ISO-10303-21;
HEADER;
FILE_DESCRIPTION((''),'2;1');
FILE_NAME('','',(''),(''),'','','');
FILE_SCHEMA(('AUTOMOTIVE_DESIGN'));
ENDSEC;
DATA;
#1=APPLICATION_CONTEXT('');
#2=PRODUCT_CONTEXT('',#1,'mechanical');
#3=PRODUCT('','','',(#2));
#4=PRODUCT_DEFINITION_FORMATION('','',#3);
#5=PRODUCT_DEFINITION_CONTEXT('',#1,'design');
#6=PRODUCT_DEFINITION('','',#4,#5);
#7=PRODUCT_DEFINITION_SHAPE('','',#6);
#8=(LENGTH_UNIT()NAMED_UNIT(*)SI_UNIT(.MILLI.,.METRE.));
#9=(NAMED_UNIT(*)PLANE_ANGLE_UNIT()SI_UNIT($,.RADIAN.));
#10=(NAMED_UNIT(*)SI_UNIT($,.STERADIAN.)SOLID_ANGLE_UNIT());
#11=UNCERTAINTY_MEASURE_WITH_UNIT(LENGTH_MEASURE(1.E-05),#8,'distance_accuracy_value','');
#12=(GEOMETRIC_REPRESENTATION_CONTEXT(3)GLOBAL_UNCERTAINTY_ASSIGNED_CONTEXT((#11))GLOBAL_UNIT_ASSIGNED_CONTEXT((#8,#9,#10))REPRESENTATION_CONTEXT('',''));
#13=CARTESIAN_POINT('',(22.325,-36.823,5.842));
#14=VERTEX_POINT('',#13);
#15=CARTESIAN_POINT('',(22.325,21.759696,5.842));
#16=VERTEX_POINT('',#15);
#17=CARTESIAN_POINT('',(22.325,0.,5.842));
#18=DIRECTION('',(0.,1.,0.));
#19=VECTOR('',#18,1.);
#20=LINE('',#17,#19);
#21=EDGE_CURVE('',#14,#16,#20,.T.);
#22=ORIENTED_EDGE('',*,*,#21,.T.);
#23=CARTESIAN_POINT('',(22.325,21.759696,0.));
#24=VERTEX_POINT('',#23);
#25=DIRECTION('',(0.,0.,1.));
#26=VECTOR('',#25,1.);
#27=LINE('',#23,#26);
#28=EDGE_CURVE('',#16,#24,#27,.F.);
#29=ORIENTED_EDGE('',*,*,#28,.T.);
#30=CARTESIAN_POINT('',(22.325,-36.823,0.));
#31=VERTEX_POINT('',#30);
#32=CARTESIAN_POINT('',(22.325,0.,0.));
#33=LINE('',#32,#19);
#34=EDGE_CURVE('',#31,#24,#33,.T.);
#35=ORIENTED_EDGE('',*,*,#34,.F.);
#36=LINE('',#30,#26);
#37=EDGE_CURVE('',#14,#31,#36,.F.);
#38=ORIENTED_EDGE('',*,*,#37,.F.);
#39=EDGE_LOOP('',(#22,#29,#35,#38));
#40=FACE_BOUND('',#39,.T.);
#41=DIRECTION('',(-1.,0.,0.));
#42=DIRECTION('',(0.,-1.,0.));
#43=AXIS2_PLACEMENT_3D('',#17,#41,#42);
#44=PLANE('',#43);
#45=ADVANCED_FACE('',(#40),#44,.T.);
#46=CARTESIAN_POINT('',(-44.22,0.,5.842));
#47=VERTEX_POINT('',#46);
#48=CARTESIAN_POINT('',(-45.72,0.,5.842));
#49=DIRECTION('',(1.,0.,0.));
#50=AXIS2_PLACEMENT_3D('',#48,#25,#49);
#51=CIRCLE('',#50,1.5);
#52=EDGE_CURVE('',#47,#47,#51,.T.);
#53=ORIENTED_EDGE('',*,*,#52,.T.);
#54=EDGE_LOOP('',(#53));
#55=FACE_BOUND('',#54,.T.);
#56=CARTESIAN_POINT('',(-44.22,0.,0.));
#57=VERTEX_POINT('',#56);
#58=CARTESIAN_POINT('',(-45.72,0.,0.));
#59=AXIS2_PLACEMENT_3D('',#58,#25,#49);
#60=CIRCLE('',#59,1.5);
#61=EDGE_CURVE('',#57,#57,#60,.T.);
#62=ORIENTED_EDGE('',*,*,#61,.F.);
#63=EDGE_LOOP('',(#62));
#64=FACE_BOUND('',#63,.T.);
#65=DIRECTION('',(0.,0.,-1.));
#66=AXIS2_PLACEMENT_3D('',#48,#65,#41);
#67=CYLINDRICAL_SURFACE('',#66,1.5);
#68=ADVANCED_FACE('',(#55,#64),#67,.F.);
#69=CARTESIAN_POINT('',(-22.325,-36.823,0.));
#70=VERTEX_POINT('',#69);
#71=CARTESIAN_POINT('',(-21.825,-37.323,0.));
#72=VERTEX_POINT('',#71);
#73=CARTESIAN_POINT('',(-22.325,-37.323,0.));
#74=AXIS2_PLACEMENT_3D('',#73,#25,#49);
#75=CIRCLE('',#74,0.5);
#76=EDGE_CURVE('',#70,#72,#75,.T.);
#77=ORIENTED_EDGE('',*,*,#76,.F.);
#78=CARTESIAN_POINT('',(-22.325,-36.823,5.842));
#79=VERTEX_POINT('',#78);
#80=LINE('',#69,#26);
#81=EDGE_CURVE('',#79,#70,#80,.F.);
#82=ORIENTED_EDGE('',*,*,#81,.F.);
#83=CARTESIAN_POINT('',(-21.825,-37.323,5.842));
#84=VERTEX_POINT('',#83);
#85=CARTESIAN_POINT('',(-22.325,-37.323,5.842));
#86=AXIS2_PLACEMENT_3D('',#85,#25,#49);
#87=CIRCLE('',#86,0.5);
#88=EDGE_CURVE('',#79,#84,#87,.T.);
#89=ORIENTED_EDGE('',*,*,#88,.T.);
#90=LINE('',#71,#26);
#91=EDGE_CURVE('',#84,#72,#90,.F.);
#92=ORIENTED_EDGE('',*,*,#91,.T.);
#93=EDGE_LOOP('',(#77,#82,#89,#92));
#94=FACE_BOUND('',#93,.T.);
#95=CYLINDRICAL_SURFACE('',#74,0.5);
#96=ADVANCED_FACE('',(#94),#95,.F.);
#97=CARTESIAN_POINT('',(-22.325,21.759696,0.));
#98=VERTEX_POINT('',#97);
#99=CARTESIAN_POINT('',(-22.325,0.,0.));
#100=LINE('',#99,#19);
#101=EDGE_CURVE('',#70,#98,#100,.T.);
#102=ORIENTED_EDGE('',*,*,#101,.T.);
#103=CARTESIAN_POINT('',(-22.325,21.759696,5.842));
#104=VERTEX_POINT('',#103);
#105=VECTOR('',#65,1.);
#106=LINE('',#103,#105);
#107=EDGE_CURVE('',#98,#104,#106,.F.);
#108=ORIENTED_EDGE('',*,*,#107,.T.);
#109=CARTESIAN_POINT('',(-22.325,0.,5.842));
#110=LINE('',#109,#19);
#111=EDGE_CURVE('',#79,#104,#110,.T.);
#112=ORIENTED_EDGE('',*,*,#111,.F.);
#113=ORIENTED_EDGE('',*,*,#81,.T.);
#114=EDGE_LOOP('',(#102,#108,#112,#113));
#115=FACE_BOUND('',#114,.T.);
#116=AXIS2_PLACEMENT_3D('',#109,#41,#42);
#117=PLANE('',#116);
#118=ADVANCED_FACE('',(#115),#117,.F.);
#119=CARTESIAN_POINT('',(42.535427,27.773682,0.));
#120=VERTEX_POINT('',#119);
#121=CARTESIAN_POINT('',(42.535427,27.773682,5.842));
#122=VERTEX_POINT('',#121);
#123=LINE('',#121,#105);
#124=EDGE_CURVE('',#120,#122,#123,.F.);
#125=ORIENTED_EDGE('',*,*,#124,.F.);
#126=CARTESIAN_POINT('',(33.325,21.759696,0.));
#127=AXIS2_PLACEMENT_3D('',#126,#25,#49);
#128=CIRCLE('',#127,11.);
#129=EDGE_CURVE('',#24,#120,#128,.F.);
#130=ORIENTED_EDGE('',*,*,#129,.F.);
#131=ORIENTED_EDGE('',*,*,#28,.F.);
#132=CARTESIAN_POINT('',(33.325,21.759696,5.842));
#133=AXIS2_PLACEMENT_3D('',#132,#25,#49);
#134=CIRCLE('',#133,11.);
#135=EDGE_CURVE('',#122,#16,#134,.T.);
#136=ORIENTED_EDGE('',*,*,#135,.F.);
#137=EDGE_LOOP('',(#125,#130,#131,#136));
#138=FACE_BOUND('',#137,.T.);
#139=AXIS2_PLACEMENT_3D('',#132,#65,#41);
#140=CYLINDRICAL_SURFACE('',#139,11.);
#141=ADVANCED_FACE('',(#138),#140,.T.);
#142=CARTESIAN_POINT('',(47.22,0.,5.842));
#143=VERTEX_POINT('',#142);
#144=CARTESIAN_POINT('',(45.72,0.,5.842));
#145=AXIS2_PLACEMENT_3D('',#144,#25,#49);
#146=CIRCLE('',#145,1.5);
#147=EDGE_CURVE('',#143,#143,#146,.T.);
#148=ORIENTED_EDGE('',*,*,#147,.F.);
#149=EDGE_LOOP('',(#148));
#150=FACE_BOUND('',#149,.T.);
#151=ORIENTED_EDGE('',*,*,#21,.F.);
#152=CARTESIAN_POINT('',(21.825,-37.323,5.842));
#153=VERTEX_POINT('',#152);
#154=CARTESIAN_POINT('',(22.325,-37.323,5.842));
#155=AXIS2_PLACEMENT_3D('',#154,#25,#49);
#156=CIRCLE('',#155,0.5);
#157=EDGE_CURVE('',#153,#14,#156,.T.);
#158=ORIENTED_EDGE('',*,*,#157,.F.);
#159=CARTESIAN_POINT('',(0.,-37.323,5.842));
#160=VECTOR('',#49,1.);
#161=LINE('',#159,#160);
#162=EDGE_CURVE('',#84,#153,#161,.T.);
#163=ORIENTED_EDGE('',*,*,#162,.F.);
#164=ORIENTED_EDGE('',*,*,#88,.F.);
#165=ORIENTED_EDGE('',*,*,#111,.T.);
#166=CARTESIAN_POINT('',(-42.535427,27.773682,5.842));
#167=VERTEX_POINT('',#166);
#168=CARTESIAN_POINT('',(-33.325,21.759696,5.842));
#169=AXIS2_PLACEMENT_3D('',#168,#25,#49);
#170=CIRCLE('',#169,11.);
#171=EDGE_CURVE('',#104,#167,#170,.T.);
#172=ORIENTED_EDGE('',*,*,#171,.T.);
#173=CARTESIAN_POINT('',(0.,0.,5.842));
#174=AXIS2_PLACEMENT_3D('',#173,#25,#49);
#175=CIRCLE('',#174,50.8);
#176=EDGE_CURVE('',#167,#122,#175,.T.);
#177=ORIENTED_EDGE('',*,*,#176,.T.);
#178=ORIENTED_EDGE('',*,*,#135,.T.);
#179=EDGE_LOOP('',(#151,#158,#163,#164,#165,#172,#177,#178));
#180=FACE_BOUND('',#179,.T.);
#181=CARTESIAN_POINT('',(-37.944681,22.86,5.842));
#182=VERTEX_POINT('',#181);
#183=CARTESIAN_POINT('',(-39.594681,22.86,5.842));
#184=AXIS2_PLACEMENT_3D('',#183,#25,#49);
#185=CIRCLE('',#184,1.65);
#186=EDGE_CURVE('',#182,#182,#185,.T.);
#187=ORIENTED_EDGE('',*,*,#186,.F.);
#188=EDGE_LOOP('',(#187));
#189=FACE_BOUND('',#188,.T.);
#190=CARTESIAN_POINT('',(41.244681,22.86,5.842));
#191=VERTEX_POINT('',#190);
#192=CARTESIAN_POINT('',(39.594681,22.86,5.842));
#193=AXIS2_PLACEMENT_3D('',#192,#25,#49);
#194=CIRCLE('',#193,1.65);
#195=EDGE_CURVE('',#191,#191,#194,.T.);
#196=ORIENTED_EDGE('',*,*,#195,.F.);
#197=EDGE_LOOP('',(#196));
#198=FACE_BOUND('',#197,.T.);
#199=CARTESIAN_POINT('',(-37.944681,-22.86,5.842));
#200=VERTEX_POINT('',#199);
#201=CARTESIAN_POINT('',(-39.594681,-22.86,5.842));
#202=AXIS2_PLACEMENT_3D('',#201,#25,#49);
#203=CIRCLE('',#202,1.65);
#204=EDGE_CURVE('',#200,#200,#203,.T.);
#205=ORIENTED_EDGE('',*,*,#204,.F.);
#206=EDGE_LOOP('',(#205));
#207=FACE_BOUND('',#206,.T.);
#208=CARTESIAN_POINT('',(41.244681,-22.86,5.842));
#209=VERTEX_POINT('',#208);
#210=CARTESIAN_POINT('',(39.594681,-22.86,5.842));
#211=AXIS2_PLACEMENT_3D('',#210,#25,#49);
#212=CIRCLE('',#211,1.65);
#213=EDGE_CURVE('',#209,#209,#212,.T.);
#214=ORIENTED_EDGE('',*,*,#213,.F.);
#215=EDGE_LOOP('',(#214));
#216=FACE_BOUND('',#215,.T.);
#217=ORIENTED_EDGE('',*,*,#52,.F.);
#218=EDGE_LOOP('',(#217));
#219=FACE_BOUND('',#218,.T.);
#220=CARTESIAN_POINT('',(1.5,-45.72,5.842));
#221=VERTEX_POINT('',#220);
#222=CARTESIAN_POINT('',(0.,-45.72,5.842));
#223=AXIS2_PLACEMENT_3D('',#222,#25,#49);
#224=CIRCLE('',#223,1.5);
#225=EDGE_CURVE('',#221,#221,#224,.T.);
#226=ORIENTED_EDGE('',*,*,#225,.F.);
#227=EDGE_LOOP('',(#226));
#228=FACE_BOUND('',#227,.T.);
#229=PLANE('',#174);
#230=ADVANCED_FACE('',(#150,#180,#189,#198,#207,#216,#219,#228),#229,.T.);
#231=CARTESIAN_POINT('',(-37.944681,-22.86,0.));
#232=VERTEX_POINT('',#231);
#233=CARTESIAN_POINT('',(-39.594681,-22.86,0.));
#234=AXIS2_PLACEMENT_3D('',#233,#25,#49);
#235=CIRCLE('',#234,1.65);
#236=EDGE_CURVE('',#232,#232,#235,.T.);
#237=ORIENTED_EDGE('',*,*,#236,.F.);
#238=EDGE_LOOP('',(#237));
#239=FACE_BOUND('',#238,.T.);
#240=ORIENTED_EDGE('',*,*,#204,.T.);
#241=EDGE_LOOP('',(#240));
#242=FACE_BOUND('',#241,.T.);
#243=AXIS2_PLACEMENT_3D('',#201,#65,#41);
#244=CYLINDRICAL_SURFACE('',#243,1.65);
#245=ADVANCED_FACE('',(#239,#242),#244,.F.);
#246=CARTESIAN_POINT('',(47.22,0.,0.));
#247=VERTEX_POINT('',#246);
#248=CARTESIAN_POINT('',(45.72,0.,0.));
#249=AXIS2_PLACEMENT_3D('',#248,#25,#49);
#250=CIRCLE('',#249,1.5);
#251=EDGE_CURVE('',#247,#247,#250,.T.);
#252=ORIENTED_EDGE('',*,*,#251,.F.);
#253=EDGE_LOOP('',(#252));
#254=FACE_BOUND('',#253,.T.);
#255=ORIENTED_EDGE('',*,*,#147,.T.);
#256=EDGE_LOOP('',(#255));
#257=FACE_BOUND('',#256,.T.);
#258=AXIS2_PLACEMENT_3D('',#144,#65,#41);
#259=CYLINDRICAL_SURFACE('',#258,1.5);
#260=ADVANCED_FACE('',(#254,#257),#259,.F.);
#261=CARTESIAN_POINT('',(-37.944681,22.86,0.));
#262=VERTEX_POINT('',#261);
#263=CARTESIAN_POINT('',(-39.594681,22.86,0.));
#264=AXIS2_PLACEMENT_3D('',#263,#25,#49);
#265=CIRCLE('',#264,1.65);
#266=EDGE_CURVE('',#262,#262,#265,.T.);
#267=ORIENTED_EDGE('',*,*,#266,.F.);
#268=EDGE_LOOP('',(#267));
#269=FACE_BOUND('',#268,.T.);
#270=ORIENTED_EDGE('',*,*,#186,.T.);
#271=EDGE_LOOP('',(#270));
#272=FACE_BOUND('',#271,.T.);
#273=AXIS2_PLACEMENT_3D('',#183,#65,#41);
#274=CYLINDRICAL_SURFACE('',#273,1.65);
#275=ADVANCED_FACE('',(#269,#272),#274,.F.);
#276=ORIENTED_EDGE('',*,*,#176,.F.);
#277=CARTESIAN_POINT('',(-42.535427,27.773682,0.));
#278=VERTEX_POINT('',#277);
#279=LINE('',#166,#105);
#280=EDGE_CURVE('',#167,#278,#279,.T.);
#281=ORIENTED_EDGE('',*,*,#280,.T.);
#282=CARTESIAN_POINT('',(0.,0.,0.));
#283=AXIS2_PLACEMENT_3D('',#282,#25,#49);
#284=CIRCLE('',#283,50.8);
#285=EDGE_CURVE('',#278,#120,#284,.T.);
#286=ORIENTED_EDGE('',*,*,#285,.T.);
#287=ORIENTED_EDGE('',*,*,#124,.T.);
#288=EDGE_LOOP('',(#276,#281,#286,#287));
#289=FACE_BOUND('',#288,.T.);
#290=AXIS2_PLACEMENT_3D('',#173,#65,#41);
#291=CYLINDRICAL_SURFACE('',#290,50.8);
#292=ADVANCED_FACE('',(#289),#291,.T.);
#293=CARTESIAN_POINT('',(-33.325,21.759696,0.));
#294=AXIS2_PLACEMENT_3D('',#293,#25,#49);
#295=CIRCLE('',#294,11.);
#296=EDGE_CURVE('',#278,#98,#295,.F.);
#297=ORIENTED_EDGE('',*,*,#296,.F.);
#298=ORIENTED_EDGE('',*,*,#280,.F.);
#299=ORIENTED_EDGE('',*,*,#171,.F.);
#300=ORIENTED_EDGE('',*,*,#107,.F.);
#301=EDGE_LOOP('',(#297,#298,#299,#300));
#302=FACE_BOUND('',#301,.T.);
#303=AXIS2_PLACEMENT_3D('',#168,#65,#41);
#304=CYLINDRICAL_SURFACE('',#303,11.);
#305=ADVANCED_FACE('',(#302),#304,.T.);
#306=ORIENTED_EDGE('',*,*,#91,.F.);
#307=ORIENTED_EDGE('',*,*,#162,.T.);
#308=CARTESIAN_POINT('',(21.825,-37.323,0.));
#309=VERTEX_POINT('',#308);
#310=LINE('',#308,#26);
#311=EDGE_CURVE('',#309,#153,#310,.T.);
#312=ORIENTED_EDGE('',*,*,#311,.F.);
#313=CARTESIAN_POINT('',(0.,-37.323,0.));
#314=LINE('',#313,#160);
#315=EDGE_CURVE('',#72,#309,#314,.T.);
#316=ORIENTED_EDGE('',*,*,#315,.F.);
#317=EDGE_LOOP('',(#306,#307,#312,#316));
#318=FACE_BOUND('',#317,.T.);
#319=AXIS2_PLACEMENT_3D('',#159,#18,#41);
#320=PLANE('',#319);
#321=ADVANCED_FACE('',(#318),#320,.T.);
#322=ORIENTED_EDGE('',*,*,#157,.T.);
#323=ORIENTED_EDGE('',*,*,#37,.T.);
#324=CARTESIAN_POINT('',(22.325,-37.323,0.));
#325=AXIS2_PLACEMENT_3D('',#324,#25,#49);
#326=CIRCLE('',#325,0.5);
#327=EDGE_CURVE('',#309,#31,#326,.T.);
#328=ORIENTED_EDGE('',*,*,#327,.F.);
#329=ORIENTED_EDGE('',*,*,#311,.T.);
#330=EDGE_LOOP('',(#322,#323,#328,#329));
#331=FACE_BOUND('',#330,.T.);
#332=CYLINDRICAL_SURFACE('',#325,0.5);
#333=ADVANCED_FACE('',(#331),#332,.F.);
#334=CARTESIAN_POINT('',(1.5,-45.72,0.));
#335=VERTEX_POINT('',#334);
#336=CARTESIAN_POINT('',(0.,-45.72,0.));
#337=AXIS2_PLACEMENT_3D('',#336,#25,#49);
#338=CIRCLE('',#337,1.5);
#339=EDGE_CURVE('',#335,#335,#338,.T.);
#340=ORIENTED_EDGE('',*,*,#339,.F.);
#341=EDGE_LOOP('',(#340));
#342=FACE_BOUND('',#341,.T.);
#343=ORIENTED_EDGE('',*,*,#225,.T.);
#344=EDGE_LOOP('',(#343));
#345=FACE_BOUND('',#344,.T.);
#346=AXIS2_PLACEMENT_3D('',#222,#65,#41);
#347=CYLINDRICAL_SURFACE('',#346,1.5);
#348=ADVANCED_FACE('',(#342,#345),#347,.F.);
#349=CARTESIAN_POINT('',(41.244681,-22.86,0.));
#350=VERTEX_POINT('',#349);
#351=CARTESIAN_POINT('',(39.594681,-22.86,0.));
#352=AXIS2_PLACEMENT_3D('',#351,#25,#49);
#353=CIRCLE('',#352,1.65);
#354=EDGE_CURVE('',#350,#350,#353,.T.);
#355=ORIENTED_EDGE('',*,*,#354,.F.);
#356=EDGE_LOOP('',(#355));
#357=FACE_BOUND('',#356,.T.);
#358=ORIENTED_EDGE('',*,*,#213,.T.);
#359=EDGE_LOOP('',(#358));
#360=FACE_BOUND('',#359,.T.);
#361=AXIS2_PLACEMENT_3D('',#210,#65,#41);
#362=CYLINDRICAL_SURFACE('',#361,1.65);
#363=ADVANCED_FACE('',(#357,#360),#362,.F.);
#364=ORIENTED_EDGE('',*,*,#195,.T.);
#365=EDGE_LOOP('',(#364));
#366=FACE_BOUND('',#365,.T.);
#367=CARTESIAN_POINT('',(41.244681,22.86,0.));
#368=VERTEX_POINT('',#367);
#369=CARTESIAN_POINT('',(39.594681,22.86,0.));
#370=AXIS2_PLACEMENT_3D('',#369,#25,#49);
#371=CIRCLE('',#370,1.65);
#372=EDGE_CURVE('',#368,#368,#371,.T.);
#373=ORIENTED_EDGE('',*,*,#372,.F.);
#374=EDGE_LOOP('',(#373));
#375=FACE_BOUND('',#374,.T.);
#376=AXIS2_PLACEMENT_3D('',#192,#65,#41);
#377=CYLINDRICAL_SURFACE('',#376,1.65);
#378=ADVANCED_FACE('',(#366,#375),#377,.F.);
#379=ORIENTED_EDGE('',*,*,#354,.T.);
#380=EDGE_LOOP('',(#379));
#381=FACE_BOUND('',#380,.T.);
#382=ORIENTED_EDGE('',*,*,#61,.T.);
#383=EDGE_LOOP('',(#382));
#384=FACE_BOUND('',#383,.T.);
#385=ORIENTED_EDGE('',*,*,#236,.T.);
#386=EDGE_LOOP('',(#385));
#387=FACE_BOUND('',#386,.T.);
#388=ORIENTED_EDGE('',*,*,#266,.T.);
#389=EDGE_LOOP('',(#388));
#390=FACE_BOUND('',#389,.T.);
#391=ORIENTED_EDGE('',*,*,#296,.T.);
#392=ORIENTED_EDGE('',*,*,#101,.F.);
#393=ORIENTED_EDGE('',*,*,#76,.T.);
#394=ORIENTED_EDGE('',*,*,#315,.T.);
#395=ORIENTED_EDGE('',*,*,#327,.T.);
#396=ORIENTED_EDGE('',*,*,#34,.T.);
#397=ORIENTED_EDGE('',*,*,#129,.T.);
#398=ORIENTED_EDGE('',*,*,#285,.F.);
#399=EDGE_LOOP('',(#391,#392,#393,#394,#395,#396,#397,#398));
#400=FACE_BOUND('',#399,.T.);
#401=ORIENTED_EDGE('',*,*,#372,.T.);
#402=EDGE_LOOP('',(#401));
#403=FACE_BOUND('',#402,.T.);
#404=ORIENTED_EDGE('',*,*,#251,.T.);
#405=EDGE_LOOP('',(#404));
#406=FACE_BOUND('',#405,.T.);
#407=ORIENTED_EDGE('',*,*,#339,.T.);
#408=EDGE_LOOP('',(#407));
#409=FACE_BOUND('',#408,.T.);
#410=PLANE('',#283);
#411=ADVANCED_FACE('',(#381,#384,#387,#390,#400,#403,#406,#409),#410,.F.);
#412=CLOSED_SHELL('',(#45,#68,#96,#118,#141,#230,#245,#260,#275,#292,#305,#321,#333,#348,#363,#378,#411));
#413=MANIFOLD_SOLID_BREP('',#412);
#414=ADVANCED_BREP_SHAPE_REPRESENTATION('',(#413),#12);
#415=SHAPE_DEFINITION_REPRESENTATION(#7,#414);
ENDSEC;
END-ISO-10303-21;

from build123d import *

# Parameters (mm, degrees)
SKETCH1_R           = 1.5
SKETCH1_R_2         = 1.65
BOSS_EXTRUDE1_DEPTH = 5.842
FILLET2_R           = 11
SKETCH2_R           = 0.5
CUT_EXTRUDE1_DEPTH  = 73.079185373


with BuildPart() as part:
    # Sketch1 → Boss-Extrude1 (new body)
    with BuildSketch(Plane.XY):
        with BuildLine():
            Line((22.325000054, -37.323), (22.325000054, 28.495993037))
            Line((22.325000054, 28.495993037), (22.325000054, 45.631506359))
            ThreePointArc((22.325000054, 45.631506359), (0, -50.8), (-22.325000054, 45.631506359))
            Line((-22.325000054, 45.631506359), (-22.325000054, 28.495993037))
            Line((-22.325000054, 28.495993037), (-22.325000054, -37.323))
            Line((-22.325000054, -37.323), (22.325000054, -37.323))
        make_face()
        with Locations((-45.72, 0)):
            Circle(SKETCH1_R, mode=Mode.SUBTRACT)
        with Locations((45.72, 0)):
            Circle(SKETCH1_R, mode=Mode.SUBTRACT)
        with Locations((0, -45.72)):
            Circle(SKETCH1_R, mode=Mode.SUBTRACT)
        with Locations((39.594681461, 22.86)):
            Circle(SKETCH1_R_2, mode=Mode.SUBTRACT)
        with Locations((39.594681461, -22.86)):
            Circle(SKETCH1_R_2, mode=Mode.SUBTRACT)
        with Locations((-39.594681461, -22.86)):
            Circle(SKETCH1_R_2, mode=Mode.SUBTRACT)
        with Locations((-39.594681461, 22.86)):
            Circle(SKETCH1_R_2, mode=Mode.SUBTRACT)
    extrude(amount=BOSS_EXTRUDE1_DEPTH)

    # Fillet2
    fillet2_edges = [part.edges().sort_by_distance(p)[0] for p in [
        (22.325000054, 45.631506359, 2.921),
        (-22.325000054, 45.631506359, 2.921),
    ]]
    fillet(fillet2_edges, radius=FILLET2_R)

    # Sketch2 → Cut-Extrude1 (cut, through all)
    with BuildSketch(Plane.XY.offset(5.842)):
        with Locations((-22.325000054, -37.323)):
            Circle(SKETCH2_R)
        with Locations((22.325000054, -37.323)):
            Circle(SKETCH2_R)
    extrude(amount=-CUT_EXTRUDE1_DEPTH, mode=Mode.SUBTRACT)


solid = part.part
